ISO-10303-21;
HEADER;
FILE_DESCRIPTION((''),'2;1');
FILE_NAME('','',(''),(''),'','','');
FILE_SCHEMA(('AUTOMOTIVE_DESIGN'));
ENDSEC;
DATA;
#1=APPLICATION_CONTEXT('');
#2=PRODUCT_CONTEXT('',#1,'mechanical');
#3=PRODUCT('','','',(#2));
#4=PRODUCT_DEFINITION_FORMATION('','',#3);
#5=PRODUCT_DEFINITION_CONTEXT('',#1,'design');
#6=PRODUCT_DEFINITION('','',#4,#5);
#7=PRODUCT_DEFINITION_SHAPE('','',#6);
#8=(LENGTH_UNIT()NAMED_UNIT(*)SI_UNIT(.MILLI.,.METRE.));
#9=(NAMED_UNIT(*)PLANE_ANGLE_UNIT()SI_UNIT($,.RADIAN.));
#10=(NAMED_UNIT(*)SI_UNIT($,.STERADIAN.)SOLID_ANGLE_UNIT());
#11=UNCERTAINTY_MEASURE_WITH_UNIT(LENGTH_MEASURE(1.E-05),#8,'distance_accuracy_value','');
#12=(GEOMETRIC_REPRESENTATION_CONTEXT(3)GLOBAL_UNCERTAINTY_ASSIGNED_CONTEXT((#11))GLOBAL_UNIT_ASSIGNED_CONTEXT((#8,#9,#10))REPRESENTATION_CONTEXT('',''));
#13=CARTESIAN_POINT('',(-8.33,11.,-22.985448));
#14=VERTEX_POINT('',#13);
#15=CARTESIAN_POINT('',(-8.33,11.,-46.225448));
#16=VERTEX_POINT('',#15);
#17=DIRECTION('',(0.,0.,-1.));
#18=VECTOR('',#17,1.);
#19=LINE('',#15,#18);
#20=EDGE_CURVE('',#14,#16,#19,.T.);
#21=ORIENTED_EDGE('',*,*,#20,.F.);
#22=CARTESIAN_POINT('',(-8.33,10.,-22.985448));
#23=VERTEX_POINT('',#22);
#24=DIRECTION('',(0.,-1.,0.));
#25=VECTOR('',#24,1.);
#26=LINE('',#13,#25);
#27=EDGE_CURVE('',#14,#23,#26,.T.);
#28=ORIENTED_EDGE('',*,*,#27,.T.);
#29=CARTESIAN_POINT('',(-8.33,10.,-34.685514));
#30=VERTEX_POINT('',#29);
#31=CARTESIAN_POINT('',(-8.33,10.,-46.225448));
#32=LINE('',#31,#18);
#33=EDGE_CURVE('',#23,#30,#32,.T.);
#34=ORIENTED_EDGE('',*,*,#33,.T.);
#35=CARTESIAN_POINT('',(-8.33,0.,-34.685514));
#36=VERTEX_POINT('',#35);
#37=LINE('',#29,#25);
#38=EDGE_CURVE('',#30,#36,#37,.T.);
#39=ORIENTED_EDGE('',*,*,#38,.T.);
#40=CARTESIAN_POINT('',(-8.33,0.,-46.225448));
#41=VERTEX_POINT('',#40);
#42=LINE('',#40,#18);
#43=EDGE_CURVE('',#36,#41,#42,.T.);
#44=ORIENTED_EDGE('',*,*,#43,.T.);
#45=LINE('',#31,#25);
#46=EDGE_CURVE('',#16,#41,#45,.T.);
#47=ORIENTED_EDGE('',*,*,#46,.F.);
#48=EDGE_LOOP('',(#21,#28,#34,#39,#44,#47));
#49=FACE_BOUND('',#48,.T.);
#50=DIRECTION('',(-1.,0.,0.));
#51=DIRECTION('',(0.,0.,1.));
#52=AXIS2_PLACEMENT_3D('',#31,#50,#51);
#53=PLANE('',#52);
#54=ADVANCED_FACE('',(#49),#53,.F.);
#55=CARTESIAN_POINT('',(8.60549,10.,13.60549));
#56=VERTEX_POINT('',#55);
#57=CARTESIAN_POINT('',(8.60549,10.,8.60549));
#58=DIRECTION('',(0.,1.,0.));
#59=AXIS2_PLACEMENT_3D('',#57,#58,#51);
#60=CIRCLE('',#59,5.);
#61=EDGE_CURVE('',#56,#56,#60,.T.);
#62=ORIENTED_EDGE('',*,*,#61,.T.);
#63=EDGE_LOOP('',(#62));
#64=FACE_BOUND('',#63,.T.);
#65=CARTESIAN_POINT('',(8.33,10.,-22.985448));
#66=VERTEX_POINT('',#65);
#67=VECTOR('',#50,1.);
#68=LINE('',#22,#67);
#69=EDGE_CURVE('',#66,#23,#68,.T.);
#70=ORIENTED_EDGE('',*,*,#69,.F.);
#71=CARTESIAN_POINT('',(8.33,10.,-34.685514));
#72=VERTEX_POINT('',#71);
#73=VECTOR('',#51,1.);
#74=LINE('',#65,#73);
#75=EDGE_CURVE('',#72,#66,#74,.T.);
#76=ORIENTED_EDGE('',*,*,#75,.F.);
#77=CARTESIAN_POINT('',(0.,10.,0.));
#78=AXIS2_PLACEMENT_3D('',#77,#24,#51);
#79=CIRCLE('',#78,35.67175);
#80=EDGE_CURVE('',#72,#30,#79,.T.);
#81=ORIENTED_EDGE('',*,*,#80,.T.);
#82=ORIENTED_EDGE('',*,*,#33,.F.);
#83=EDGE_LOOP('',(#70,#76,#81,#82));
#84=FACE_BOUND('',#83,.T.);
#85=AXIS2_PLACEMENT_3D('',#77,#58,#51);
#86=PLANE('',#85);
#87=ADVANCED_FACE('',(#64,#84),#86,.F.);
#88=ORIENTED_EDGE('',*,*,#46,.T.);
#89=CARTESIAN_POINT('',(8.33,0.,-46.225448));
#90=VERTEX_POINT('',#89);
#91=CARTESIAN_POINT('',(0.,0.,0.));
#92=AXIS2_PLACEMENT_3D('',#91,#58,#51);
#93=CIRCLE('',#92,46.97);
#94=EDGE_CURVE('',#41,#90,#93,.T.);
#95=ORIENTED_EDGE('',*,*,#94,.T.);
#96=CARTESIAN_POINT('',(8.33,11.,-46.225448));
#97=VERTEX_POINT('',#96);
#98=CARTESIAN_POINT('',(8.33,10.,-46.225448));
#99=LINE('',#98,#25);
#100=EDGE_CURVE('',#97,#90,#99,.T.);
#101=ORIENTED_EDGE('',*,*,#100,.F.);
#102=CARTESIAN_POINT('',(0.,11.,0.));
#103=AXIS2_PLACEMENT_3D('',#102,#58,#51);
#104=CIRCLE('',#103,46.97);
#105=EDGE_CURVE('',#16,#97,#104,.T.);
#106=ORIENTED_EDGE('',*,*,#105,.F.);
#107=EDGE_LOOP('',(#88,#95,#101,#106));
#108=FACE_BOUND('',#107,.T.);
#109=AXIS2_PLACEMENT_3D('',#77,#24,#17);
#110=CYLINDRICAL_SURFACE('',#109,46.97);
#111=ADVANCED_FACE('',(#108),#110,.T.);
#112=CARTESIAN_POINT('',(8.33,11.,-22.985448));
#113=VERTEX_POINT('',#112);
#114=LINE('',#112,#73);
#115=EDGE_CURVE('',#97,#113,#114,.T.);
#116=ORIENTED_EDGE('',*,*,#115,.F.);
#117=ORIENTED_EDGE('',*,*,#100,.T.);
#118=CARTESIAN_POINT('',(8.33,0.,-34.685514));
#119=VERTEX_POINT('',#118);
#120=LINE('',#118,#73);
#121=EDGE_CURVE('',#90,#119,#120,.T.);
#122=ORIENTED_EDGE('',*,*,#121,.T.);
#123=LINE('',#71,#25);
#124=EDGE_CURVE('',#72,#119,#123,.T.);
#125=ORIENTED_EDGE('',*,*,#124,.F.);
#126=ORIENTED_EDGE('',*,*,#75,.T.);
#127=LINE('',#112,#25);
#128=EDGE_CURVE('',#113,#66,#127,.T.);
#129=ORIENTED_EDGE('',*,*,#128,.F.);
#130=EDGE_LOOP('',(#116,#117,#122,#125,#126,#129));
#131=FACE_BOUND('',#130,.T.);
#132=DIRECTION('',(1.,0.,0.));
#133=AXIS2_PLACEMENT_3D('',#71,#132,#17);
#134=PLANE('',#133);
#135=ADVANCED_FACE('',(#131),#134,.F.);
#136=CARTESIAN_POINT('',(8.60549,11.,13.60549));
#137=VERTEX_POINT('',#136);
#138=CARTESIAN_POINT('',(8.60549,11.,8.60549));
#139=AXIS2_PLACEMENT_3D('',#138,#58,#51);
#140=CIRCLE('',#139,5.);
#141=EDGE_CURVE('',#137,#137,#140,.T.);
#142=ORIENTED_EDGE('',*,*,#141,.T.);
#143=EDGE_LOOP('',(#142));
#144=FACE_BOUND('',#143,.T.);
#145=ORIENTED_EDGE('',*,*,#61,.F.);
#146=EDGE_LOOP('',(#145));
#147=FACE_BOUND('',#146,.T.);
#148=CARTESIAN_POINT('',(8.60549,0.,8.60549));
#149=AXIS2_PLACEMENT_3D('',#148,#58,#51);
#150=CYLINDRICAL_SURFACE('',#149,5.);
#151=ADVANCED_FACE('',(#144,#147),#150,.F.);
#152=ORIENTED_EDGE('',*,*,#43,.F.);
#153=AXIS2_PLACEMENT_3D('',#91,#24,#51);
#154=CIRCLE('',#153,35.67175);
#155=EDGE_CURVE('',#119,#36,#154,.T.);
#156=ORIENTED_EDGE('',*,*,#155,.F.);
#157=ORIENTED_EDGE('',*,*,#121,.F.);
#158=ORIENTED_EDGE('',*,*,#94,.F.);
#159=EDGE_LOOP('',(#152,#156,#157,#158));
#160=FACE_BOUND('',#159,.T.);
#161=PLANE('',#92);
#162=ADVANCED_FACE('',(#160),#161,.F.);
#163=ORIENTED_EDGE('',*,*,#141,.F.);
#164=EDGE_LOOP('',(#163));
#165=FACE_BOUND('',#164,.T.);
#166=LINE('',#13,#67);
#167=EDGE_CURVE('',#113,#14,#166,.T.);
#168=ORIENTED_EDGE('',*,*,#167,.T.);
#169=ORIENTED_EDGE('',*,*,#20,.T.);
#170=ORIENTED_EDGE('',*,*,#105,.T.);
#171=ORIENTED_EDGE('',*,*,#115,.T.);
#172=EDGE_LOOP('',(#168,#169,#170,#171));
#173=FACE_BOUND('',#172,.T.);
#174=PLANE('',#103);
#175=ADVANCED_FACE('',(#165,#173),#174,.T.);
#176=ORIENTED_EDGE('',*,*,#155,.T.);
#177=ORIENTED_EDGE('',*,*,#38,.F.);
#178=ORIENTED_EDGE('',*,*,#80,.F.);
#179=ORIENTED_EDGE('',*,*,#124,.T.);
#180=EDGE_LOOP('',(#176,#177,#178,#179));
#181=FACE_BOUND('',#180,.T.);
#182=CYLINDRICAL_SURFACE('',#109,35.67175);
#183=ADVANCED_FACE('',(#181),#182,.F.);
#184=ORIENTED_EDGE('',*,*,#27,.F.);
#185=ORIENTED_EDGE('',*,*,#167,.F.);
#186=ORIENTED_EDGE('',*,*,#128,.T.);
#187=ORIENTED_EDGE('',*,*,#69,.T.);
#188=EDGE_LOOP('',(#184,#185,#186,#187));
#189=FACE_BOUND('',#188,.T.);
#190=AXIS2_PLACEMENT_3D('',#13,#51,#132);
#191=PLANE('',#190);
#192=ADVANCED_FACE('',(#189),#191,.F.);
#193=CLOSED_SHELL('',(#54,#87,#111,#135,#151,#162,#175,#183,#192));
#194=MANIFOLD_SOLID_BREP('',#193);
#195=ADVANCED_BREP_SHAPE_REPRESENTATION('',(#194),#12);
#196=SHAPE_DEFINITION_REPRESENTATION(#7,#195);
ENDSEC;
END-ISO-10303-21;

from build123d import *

# Parameters (mm, degrees)
BOSS_EXTRUDE1_DEPTH = 10
BOSS_EXTRUDE2_DEPTH = 1
SKETCH4_R           = 5
CUT_EXTRUDE1_DEPTH  = 68.330244319


with BuildPart() as part:
    # Sketch2 → Boss-Extrude1 (new body)
    with BuildSketch(Plane(origin=(0, 0, 0), x_dir=(1, 0, 0), z_dir=(0, 1, 0))):
        with BuildLine():
            Line((-8.33, 46.225447537), (-8.33, 34.685513519))
            ThreePointArc((-8.33, 34.685513519), (0, -35.67175), (8.33, 34.685513519))
            Line((8.33, 34.685513519), (8.33, 46.225447537))
            ThreePointArc((8.33, 46.225447537), (0, -46.97), (-8.33, 46.225447537))
        make_face()
    extrude(amount=BOSS_EXTRUDE1_DEPTH)

    # Sketch3 → Boss-Extrude2 (add)
    with BuildSketch(Plane(origin=(0, 10, 0), x_dir=(1, 0, 0), z_dir=(0, 1, 0))):
        with BuildLine():
            Line((-8.33, 46.225447537), (-8.33, 22.985447537))
            Line((-8.33, 22.985447537), (8.33, 22.985447537))
            Line((8.33, 22.985447537), (8.33, 46.225447537))
            ThreePointArc((8.33, 46.225447537), (0, -46.97), (-8.33, 46.225447537))
        make_face()
    extrude(amount=BOSS_EXTRUDE2_DEPTH)

    # Sketch4 → Cut-Extrude1 (cut, through all)
    with BuildSketch(Plane(origin=(0, 11, 0), x_dir=(1, 0, 0), z_dir=(0, 1, 0))):
        with Locations(Location((8.605489527, -8.605489527, 0), (0, 0, 270))):
            Circle(SKETCH4_R)
    extrude(amount=-CUT_EXTRUDE1_DEPTH, mode=Mode.SUBTRACT)


solid = part.part
